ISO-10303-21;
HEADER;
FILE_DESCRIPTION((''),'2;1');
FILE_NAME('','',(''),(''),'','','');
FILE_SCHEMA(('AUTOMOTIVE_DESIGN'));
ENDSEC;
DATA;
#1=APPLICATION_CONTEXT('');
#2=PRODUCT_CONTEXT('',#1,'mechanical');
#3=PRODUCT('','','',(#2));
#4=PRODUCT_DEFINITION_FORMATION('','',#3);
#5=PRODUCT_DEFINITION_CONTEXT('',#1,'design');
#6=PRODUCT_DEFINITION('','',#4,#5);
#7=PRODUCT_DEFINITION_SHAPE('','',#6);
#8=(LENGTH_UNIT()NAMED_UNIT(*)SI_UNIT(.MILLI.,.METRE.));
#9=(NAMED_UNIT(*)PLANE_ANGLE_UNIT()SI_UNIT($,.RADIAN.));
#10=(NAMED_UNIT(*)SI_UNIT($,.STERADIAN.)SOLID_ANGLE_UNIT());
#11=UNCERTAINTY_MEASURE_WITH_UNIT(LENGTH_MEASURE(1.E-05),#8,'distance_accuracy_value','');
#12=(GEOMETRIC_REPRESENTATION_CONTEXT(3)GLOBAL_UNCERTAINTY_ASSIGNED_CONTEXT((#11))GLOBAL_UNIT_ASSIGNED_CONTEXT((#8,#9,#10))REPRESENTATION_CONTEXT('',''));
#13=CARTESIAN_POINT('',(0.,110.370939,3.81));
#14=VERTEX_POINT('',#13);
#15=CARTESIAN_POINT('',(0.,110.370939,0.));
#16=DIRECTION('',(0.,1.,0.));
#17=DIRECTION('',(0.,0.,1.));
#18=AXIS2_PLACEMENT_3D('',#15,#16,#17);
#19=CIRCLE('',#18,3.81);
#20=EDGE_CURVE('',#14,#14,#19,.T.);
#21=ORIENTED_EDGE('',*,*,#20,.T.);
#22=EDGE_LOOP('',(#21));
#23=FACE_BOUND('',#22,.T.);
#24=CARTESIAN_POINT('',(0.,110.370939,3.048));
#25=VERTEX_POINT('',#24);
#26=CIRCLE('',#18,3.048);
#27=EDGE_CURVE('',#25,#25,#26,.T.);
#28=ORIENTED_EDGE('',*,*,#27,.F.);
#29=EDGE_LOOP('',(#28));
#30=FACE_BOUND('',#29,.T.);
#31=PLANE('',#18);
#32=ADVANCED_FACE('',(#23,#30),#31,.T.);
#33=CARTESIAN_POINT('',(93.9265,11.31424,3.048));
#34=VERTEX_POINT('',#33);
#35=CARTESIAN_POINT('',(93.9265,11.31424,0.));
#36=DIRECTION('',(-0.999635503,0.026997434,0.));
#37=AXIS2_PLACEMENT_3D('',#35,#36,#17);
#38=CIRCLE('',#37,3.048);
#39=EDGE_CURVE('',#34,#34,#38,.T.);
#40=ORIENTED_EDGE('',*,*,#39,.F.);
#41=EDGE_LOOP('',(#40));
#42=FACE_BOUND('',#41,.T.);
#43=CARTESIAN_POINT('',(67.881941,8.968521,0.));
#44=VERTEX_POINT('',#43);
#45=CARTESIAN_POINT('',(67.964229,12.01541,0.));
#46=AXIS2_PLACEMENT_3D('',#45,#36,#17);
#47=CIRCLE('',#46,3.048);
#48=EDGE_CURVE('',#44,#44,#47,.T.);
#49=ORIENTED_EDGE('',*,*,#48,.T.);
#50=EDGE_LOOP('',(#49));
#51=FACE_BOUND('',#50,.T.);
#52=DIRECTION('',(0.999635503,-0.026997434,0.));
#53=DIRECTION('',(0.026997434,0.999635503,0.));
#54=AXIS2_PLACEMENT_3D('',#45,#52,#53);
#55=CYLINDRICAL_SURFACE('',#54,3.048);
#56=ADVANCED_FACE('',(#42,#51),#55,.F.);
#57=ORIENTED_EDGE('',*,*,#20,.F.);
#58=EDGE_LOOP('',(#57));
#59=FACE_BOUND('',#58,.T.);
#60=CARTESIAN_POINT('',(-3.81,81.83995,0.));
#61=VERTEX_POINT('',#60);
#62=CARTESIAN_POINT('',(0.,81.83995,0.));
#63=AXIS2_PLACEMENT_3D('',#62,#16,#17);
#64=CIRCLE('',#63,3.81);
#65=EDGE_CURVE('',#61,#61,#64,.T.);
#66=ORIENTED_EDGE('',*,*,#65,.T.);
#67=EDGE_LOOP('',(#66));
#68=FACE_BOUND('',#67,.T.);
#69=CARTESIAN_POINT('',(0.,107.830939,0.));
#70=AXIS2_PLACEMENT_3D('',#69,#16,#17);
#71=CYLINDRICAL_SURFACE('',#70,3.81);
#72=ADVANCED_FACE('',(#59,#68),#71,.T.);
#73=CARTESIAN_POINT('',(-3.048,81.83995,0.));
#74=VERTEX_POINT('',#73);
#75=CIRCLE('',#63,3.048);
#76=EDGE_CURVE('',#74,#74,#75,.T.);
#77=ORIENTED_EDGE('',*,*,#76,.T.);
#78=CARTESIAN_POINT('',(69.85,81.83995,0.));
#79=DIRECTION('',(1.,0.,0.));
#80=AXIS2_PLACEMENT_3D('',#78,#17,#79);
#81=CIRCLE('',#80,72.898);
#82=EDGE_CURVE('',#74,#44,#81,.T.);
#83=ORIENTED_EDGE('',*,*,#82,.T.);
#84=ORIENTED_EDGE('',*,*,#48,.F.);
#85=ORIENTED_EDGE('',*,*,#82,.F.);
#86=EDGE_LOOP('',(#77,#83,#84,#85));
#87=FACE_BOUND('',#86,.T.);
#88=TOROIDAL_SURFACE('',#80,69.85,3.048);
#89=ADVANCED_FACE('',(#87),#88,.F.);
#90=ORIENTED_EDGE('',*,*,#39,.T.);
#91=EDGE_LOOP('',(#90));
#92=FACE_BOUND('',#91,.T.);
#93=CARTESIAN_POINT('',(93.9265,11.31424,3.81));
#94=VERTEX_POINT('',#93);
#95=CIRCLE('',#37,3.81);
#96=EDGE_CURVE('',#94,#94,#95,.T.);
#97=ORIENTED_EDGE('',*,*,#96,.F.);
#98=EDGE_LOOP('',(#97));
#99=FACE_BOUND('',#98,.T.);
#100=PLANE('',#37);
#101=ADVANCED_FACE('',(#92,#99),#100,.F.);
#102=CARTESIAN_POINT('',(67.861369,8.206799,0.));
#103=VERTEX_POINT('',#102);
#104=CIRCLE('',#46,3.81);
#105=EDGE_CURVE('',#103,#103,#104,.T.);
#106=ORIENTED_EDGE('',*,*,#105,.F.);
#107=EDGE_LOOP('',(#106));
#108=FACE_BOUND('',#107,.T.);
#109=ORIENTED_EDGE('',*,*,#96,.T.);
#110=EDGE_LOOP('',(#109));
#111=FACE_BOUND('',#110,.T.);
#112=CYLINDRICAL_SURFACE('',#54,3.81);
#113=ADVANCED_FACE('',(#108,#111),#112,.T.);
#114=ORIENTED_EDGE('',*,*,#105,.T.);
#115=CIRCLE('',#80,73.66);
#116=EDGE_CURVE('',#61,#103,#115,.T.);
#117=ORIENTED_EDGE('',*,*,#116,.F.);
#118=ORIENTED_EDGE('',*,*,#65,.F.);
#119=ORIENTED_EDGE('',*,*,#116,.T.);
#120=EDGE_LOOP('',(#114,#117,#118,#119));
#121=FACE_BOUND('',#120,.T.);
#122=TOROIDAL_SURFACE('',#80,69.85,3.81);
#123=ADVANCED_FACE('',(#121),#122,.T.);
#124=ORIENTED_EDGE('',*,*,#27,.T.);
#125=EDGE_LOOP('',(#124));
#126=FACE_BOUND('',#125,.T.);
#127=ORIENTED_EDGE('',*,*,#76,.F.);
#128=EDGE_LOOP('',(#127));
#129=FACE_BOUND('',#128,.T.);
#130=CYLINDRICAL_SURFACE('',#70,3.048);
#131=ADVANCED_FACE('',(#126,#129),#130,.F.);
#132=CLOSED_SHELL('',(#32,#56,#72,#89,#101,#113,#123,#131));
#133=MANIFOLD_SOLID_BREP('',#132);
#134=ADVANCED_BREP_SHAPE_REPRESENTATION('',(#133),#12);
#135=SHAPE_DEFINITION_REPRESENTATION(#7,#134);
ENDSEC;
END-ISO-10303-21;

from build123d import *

# Parameters (mm, degrees)
SKETCH4_R           = 3.81
SKETCH4_R_2         = 3.048
BOSS_EXTRUDE1_DEPTH = 2.54
SKETCH4_3_R         = 3.81
SKETCH4_3_R_2       = 3.048


with BuildPart() as part:
    # Sketch4 → Boss-Extrude1 (new body)
    with BuildSketch(Plane(origin=(0, 110.370938621, 0), x_dir=(-1, 0, 0), z_dir=(0, 1, 0))):
        Circle(SKETCH4_R)
        Circle(SKETCH4_R_2, mode=Mode.SUBTRACT)
    extrude(amount=-BOSS_EXTRUDE1_DEPTH)

    # Sweep2: sweep along a path in Sketch3
    with BuildLine(Plane.XY) as sweep2_path:
        Line((0, 110.370938621), (0, 81.839949684))
        ThreePointArc((0, 81.839949684), (19.796310895, 33.11982338), (67.964229263, 12.015409809))
        Line((67.964229263, 12.015409809), (93.926499612, 11.314239564))
    # Sketch4<3> → Sweep2 (sweep)
    with BuildSketch(Plane(origin=(0, 110.370938621, 0), x_dir=(-1, 0, 0), z_dir=(0, 1, 0))):
        Circle(SKETCH4_3_R)
        Circle(SKETCH4_3_R_2, mode=Mode.SUBTRACT)
    sweep(path=sweep2_path.line)


solid = part.part
